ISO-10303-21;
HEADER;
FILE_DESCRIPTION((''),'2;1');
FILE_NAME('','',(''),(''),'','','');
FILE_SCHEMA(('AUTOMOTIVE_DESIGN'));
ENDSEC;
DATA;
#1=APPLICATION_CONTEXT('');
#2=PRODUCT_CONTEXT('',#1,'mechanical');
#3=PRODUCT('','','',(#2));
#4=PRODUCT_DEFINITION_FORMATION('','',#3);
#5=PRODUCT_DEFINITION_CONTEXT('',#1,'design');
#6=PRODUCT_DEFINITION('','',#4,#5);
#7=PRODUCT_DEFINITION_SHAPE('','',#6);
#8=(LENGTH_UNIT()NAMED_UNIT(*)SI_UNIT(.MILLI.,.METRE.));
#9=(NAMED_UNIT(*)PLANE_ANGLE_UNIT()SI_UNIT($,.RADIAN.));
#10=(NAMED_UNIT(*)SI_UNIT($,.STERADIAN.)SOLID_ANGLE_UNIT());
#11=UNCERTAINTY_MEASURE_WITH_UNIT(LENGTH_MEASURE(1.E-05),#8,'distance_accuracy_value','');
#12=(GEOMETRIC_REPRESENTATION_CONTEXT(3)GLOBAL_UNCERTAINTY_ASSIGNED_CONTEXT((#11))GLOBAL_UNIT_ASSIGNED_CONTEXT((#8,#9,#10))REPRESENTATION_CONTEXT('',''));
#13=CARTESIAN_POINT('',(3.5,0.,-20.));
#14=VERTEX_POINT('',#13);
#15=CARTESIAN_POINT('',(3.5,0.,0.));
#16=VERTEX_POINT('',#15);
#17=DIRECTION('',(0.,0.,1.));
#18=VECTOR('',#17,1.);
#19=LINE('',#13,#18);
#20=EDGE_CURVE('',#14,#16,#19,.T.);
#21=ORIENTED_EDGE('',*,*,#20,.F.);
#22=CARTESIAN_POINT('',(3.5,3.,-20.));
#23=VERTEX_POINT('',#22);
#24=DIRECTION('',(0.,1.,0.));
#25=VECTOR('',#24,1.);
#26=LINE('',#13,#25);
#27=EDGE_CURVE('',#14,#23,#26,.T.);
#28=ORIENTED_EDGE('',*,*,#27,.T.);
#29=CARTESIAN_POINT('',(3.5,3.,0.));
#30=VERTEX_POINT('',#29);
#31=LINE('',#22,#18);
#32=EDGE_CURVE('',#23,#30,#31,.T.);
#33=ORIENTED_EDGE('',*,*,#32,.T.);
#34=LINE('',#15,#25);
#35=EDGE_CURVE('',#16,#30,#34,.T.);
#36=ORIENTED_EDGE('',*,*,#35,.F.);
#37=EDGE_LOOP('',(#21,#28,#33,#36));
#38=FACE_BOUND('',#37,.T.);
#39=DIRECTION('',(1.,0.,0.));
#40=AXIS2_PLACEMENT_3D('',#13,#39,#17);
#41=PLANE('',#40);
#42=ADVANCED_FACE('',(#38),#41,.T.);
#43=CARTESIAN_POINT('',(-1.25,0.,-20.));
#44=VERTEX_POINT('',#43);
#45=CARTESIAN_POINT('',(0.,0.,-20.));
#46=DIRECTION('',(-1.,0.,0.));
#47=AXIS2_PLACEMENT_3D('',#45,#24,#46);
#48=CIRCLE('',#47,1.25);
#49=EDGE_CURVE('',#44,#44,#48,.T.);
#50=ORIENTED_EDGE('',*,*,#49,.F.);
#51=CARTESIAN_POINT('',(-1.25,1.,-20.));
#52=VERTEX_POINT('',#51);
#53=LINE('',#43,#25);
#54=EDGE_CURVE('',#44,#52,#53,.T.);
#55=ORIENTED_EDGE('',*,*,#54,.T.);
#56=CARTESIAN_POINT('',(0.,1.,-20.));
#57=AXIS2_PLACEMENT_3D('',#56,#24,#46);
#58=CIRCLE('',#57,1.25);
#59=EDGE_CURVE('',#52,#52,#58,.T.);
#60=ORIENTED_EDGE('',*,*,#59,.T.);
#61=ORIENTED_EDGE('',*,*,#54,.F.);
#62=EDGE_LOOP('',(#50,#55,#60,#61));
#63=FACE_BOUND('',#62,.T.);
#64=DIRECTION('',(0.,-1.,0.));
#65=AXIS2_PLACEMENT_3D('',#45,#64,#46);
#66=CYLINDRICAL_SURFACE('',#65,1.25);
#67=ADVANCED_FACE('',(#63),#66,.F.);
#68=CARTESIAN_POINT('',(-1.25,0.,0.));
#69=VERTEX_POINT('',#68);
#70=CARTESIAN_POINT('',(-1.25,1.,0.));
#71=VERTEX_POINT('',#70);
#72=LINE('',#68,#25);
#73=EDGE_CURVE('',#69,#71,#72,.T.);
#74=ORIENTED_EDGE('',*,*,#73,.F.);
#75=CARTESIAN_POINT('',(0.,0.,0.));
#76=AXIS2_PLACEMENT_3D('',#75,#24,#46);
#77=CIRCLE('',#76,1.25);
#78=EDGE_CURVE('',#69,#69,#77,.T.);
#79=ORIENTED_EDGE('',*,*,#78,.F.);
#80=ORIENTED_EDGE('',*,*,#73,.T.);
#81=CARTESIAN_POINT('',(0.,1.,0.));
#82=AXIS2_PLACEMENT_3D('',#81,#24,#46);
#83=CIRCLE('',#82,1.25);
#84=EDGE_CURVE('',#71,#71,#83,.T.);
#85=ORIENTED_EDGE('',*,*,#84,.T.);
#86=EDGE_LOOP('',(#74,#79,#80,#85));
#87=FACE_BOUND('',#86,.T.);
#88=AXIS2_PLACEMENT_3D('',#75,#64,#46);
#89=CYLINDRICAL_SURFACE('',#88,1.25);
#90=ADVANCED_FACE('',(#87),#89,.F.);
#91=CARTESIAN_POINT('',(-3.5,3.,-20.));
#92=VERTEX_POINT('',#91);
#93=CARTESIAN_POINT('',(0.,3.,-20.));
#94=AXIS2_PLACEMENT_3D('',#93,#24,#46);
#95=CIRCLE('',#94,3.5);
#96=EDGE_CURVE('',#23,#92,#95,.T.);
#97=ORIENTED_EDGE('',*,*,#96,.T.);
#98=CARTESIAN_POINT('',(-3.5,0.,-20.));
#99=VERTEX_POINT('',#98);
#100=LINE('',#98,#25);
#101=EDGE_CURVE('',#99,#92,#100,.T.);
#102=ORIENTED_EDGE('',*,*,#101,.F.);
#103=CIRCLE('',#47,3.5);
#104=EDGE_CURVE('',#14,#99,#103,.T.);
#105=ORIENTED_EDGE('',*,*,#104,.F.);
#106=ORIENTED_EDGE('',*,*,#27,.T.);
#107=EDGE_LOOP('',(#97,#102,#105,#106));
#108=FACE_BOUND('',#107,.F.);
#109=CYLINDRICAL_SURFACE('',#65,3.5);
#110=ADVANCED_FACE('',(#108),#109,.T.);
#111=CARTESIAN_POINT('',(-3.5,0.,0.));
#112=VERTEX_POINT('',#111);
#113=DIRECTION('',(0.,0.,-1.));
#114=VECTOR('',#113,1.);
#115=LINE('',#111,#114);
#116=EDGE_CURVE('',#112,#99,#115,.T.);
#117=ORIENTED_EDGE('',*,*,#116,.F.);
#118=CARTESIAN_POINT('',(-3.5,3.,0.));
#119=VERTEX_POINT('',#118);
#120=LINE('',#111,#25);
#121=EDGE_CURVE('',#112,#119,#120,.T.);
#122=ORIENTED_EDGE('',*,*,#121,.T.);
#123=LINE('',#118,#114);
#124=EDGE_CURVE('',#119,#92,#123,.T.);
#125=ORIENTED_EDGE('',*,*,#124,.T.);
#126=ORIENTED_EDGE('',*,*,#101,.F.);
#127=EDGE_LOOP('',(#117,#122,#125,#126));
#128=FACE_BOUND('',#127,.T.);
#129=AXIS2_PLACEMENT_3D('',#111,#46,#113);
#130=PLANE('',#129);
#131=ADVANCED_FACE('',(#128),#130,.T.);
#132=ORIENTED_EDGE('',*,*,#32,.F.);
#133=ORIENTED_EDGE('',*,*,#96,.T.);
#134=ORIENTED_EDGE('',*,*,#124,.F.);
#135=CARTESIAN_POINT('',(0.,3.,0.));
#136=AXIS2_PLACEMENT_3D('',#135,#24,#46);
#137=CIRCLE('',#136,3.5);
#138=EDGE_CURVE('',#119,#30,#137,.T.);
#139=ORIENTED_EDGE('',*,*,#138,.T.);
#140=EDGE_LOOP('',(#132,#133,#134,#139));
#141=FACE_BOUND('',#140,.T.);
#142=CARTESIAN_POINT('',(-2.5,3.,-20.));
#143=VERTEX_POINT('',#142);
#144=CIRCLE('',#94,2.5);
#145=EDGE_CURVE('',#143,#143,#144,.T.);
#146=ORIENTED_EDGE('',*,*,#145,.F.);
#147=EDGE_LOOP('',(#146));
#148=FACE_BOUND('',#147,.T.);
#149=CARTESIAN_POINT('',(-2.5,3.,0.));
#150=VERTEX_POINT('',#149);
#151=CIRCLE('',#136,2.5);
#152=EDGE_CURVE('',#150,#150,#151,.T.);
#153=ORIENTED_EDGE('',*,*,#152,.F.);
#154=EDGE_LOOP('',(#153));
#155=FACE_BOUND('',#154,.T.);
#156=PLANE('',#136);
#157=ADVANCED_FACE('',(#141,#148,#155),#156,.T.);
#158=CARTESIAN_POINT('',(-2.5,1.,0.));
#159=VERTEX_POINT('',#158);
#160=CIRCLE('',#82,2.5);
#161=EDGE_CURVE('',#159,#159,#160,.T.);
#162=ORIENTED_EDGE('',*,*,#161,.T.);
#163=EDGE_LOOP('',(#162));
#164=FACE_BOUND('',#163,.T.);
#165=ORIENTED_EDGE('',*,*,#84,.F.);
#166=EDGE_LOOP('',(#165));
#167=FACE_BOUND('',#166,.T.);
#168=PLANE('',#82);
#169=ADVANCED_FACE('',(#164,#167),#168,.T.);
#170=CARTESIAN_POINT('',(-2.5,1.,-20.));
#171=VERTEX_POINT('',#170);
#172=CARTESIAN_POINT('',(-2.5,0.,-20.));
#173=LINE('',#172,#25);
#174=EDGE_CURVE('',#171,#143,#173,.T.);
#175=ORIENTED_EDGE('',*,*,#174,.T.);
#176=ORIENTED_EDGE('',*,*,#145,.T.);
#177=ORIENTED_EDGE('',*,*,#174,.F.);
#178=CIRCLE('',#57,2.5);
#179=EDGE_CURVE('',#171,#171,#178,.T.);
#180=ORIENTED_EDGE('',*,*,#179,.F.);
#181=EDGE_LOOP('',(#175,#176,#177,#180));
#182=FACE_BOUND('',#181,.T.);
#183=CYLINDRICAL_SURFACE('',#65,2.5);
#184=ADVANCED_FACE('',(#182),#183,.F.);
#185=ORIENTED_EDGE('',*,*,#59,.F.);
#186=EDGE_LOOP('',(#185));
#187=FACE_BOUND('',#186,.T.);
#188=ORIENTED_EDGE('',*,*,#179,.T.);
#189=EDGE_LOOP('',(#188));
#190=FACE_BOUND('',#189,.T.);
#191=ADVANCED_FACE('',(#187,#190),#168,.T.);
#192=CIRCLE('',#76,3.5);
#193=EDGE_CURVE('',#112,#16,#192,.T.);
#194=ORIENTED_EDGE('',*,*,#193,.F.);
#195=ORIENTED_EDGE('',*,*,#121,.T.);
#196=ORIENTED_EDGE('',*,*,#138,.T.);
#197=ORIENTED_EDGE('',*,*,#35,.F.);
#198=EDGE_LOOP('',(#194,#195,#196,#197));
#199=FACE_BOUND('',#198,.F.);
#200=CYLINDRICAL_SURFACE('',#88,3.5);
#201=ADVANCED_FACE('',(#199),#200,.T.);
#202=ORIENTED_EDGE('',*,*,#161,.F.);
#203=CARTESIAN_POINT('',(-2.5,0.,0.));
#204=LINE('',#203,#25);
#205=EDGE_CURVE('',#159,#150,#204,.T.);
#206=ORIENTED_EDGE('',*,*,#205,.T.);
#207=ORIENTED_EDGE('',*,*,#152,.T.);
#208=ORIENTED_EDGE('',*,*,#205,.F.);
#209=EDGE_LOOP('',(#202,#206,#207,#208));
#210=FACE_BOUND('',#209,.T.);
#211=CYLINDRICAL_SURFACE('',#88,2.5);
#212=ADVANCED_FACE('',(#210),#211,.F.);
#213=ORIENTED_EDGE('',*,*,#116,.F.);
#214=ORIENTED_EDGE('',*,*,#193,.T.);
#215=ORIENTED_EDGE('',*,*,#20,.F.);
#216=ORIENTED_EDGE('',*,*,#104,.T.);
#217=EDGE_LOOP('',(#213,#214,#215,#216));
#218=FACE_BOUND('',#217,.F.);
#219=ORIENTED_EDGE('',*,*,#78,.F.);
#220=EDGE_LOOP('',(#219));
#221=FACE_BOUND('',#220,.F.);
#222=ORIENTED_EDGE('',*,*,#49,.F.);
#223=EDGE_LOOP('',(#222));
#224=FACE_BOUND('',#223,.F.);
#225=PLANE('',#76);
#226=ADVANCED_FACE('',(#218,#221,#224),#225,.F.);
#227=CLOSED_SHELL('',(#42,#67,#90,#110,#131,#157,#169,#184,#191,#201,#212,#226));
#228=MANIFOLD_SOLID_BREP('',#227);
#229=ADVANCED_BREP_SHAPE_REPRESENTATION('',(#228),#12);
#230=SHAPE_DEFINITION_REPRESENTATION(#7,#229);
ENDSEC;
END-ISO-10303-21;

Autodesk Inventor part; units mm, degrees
ref_plane "YZ Plane" through (0, 0, 0) normal (1, 0, 0) x (0, 1, 0)
ref_plane "XZ Plane" through (0, 0, 0) normal (0, 1, 0) x (-1, 0, 0)
ref_plane "XY Plane" through (0, 0, 0) normal (0, 0, 1) x (1, 0, 0)
sketch "Sketch1" plane through (0, 0, 0) normal (0, 1, 0) x (-1, 0, 0)
  circle A0 centre (0, 0) radius 3.5
  circle A1 centre (0, -20) radius 3.5
  line L0 (3.5, 0) -> (3.5, -20)
  line L1 (-3.5, -20) -> (-3.5, 0)
  line L2 (0, 0) -> (0, -20) construction
  circle A2 centre (0, 0) radius 1.25
  circle A3 centre (0, -20) radius 1.25
  circle A4 centre (0, -20) radius 2.5
  circle A5 centre (0, 0) radius 2.5
  dimension "d0" = 7
  dimension "d1" = 2.5
  dimension "d2" = 20
  dimension "d5" = 5
  dimension "d6" = 5
extrude "Extrusion1" add sketch "Sketch1" along normal blind 3 contours A0 | L0 A1 L1 A0 | A1
extrude "Extrusion2" add sketch "Sketch1" along normal blind 1 contours A4 | A5
properties part number "Link_3DPrint"
